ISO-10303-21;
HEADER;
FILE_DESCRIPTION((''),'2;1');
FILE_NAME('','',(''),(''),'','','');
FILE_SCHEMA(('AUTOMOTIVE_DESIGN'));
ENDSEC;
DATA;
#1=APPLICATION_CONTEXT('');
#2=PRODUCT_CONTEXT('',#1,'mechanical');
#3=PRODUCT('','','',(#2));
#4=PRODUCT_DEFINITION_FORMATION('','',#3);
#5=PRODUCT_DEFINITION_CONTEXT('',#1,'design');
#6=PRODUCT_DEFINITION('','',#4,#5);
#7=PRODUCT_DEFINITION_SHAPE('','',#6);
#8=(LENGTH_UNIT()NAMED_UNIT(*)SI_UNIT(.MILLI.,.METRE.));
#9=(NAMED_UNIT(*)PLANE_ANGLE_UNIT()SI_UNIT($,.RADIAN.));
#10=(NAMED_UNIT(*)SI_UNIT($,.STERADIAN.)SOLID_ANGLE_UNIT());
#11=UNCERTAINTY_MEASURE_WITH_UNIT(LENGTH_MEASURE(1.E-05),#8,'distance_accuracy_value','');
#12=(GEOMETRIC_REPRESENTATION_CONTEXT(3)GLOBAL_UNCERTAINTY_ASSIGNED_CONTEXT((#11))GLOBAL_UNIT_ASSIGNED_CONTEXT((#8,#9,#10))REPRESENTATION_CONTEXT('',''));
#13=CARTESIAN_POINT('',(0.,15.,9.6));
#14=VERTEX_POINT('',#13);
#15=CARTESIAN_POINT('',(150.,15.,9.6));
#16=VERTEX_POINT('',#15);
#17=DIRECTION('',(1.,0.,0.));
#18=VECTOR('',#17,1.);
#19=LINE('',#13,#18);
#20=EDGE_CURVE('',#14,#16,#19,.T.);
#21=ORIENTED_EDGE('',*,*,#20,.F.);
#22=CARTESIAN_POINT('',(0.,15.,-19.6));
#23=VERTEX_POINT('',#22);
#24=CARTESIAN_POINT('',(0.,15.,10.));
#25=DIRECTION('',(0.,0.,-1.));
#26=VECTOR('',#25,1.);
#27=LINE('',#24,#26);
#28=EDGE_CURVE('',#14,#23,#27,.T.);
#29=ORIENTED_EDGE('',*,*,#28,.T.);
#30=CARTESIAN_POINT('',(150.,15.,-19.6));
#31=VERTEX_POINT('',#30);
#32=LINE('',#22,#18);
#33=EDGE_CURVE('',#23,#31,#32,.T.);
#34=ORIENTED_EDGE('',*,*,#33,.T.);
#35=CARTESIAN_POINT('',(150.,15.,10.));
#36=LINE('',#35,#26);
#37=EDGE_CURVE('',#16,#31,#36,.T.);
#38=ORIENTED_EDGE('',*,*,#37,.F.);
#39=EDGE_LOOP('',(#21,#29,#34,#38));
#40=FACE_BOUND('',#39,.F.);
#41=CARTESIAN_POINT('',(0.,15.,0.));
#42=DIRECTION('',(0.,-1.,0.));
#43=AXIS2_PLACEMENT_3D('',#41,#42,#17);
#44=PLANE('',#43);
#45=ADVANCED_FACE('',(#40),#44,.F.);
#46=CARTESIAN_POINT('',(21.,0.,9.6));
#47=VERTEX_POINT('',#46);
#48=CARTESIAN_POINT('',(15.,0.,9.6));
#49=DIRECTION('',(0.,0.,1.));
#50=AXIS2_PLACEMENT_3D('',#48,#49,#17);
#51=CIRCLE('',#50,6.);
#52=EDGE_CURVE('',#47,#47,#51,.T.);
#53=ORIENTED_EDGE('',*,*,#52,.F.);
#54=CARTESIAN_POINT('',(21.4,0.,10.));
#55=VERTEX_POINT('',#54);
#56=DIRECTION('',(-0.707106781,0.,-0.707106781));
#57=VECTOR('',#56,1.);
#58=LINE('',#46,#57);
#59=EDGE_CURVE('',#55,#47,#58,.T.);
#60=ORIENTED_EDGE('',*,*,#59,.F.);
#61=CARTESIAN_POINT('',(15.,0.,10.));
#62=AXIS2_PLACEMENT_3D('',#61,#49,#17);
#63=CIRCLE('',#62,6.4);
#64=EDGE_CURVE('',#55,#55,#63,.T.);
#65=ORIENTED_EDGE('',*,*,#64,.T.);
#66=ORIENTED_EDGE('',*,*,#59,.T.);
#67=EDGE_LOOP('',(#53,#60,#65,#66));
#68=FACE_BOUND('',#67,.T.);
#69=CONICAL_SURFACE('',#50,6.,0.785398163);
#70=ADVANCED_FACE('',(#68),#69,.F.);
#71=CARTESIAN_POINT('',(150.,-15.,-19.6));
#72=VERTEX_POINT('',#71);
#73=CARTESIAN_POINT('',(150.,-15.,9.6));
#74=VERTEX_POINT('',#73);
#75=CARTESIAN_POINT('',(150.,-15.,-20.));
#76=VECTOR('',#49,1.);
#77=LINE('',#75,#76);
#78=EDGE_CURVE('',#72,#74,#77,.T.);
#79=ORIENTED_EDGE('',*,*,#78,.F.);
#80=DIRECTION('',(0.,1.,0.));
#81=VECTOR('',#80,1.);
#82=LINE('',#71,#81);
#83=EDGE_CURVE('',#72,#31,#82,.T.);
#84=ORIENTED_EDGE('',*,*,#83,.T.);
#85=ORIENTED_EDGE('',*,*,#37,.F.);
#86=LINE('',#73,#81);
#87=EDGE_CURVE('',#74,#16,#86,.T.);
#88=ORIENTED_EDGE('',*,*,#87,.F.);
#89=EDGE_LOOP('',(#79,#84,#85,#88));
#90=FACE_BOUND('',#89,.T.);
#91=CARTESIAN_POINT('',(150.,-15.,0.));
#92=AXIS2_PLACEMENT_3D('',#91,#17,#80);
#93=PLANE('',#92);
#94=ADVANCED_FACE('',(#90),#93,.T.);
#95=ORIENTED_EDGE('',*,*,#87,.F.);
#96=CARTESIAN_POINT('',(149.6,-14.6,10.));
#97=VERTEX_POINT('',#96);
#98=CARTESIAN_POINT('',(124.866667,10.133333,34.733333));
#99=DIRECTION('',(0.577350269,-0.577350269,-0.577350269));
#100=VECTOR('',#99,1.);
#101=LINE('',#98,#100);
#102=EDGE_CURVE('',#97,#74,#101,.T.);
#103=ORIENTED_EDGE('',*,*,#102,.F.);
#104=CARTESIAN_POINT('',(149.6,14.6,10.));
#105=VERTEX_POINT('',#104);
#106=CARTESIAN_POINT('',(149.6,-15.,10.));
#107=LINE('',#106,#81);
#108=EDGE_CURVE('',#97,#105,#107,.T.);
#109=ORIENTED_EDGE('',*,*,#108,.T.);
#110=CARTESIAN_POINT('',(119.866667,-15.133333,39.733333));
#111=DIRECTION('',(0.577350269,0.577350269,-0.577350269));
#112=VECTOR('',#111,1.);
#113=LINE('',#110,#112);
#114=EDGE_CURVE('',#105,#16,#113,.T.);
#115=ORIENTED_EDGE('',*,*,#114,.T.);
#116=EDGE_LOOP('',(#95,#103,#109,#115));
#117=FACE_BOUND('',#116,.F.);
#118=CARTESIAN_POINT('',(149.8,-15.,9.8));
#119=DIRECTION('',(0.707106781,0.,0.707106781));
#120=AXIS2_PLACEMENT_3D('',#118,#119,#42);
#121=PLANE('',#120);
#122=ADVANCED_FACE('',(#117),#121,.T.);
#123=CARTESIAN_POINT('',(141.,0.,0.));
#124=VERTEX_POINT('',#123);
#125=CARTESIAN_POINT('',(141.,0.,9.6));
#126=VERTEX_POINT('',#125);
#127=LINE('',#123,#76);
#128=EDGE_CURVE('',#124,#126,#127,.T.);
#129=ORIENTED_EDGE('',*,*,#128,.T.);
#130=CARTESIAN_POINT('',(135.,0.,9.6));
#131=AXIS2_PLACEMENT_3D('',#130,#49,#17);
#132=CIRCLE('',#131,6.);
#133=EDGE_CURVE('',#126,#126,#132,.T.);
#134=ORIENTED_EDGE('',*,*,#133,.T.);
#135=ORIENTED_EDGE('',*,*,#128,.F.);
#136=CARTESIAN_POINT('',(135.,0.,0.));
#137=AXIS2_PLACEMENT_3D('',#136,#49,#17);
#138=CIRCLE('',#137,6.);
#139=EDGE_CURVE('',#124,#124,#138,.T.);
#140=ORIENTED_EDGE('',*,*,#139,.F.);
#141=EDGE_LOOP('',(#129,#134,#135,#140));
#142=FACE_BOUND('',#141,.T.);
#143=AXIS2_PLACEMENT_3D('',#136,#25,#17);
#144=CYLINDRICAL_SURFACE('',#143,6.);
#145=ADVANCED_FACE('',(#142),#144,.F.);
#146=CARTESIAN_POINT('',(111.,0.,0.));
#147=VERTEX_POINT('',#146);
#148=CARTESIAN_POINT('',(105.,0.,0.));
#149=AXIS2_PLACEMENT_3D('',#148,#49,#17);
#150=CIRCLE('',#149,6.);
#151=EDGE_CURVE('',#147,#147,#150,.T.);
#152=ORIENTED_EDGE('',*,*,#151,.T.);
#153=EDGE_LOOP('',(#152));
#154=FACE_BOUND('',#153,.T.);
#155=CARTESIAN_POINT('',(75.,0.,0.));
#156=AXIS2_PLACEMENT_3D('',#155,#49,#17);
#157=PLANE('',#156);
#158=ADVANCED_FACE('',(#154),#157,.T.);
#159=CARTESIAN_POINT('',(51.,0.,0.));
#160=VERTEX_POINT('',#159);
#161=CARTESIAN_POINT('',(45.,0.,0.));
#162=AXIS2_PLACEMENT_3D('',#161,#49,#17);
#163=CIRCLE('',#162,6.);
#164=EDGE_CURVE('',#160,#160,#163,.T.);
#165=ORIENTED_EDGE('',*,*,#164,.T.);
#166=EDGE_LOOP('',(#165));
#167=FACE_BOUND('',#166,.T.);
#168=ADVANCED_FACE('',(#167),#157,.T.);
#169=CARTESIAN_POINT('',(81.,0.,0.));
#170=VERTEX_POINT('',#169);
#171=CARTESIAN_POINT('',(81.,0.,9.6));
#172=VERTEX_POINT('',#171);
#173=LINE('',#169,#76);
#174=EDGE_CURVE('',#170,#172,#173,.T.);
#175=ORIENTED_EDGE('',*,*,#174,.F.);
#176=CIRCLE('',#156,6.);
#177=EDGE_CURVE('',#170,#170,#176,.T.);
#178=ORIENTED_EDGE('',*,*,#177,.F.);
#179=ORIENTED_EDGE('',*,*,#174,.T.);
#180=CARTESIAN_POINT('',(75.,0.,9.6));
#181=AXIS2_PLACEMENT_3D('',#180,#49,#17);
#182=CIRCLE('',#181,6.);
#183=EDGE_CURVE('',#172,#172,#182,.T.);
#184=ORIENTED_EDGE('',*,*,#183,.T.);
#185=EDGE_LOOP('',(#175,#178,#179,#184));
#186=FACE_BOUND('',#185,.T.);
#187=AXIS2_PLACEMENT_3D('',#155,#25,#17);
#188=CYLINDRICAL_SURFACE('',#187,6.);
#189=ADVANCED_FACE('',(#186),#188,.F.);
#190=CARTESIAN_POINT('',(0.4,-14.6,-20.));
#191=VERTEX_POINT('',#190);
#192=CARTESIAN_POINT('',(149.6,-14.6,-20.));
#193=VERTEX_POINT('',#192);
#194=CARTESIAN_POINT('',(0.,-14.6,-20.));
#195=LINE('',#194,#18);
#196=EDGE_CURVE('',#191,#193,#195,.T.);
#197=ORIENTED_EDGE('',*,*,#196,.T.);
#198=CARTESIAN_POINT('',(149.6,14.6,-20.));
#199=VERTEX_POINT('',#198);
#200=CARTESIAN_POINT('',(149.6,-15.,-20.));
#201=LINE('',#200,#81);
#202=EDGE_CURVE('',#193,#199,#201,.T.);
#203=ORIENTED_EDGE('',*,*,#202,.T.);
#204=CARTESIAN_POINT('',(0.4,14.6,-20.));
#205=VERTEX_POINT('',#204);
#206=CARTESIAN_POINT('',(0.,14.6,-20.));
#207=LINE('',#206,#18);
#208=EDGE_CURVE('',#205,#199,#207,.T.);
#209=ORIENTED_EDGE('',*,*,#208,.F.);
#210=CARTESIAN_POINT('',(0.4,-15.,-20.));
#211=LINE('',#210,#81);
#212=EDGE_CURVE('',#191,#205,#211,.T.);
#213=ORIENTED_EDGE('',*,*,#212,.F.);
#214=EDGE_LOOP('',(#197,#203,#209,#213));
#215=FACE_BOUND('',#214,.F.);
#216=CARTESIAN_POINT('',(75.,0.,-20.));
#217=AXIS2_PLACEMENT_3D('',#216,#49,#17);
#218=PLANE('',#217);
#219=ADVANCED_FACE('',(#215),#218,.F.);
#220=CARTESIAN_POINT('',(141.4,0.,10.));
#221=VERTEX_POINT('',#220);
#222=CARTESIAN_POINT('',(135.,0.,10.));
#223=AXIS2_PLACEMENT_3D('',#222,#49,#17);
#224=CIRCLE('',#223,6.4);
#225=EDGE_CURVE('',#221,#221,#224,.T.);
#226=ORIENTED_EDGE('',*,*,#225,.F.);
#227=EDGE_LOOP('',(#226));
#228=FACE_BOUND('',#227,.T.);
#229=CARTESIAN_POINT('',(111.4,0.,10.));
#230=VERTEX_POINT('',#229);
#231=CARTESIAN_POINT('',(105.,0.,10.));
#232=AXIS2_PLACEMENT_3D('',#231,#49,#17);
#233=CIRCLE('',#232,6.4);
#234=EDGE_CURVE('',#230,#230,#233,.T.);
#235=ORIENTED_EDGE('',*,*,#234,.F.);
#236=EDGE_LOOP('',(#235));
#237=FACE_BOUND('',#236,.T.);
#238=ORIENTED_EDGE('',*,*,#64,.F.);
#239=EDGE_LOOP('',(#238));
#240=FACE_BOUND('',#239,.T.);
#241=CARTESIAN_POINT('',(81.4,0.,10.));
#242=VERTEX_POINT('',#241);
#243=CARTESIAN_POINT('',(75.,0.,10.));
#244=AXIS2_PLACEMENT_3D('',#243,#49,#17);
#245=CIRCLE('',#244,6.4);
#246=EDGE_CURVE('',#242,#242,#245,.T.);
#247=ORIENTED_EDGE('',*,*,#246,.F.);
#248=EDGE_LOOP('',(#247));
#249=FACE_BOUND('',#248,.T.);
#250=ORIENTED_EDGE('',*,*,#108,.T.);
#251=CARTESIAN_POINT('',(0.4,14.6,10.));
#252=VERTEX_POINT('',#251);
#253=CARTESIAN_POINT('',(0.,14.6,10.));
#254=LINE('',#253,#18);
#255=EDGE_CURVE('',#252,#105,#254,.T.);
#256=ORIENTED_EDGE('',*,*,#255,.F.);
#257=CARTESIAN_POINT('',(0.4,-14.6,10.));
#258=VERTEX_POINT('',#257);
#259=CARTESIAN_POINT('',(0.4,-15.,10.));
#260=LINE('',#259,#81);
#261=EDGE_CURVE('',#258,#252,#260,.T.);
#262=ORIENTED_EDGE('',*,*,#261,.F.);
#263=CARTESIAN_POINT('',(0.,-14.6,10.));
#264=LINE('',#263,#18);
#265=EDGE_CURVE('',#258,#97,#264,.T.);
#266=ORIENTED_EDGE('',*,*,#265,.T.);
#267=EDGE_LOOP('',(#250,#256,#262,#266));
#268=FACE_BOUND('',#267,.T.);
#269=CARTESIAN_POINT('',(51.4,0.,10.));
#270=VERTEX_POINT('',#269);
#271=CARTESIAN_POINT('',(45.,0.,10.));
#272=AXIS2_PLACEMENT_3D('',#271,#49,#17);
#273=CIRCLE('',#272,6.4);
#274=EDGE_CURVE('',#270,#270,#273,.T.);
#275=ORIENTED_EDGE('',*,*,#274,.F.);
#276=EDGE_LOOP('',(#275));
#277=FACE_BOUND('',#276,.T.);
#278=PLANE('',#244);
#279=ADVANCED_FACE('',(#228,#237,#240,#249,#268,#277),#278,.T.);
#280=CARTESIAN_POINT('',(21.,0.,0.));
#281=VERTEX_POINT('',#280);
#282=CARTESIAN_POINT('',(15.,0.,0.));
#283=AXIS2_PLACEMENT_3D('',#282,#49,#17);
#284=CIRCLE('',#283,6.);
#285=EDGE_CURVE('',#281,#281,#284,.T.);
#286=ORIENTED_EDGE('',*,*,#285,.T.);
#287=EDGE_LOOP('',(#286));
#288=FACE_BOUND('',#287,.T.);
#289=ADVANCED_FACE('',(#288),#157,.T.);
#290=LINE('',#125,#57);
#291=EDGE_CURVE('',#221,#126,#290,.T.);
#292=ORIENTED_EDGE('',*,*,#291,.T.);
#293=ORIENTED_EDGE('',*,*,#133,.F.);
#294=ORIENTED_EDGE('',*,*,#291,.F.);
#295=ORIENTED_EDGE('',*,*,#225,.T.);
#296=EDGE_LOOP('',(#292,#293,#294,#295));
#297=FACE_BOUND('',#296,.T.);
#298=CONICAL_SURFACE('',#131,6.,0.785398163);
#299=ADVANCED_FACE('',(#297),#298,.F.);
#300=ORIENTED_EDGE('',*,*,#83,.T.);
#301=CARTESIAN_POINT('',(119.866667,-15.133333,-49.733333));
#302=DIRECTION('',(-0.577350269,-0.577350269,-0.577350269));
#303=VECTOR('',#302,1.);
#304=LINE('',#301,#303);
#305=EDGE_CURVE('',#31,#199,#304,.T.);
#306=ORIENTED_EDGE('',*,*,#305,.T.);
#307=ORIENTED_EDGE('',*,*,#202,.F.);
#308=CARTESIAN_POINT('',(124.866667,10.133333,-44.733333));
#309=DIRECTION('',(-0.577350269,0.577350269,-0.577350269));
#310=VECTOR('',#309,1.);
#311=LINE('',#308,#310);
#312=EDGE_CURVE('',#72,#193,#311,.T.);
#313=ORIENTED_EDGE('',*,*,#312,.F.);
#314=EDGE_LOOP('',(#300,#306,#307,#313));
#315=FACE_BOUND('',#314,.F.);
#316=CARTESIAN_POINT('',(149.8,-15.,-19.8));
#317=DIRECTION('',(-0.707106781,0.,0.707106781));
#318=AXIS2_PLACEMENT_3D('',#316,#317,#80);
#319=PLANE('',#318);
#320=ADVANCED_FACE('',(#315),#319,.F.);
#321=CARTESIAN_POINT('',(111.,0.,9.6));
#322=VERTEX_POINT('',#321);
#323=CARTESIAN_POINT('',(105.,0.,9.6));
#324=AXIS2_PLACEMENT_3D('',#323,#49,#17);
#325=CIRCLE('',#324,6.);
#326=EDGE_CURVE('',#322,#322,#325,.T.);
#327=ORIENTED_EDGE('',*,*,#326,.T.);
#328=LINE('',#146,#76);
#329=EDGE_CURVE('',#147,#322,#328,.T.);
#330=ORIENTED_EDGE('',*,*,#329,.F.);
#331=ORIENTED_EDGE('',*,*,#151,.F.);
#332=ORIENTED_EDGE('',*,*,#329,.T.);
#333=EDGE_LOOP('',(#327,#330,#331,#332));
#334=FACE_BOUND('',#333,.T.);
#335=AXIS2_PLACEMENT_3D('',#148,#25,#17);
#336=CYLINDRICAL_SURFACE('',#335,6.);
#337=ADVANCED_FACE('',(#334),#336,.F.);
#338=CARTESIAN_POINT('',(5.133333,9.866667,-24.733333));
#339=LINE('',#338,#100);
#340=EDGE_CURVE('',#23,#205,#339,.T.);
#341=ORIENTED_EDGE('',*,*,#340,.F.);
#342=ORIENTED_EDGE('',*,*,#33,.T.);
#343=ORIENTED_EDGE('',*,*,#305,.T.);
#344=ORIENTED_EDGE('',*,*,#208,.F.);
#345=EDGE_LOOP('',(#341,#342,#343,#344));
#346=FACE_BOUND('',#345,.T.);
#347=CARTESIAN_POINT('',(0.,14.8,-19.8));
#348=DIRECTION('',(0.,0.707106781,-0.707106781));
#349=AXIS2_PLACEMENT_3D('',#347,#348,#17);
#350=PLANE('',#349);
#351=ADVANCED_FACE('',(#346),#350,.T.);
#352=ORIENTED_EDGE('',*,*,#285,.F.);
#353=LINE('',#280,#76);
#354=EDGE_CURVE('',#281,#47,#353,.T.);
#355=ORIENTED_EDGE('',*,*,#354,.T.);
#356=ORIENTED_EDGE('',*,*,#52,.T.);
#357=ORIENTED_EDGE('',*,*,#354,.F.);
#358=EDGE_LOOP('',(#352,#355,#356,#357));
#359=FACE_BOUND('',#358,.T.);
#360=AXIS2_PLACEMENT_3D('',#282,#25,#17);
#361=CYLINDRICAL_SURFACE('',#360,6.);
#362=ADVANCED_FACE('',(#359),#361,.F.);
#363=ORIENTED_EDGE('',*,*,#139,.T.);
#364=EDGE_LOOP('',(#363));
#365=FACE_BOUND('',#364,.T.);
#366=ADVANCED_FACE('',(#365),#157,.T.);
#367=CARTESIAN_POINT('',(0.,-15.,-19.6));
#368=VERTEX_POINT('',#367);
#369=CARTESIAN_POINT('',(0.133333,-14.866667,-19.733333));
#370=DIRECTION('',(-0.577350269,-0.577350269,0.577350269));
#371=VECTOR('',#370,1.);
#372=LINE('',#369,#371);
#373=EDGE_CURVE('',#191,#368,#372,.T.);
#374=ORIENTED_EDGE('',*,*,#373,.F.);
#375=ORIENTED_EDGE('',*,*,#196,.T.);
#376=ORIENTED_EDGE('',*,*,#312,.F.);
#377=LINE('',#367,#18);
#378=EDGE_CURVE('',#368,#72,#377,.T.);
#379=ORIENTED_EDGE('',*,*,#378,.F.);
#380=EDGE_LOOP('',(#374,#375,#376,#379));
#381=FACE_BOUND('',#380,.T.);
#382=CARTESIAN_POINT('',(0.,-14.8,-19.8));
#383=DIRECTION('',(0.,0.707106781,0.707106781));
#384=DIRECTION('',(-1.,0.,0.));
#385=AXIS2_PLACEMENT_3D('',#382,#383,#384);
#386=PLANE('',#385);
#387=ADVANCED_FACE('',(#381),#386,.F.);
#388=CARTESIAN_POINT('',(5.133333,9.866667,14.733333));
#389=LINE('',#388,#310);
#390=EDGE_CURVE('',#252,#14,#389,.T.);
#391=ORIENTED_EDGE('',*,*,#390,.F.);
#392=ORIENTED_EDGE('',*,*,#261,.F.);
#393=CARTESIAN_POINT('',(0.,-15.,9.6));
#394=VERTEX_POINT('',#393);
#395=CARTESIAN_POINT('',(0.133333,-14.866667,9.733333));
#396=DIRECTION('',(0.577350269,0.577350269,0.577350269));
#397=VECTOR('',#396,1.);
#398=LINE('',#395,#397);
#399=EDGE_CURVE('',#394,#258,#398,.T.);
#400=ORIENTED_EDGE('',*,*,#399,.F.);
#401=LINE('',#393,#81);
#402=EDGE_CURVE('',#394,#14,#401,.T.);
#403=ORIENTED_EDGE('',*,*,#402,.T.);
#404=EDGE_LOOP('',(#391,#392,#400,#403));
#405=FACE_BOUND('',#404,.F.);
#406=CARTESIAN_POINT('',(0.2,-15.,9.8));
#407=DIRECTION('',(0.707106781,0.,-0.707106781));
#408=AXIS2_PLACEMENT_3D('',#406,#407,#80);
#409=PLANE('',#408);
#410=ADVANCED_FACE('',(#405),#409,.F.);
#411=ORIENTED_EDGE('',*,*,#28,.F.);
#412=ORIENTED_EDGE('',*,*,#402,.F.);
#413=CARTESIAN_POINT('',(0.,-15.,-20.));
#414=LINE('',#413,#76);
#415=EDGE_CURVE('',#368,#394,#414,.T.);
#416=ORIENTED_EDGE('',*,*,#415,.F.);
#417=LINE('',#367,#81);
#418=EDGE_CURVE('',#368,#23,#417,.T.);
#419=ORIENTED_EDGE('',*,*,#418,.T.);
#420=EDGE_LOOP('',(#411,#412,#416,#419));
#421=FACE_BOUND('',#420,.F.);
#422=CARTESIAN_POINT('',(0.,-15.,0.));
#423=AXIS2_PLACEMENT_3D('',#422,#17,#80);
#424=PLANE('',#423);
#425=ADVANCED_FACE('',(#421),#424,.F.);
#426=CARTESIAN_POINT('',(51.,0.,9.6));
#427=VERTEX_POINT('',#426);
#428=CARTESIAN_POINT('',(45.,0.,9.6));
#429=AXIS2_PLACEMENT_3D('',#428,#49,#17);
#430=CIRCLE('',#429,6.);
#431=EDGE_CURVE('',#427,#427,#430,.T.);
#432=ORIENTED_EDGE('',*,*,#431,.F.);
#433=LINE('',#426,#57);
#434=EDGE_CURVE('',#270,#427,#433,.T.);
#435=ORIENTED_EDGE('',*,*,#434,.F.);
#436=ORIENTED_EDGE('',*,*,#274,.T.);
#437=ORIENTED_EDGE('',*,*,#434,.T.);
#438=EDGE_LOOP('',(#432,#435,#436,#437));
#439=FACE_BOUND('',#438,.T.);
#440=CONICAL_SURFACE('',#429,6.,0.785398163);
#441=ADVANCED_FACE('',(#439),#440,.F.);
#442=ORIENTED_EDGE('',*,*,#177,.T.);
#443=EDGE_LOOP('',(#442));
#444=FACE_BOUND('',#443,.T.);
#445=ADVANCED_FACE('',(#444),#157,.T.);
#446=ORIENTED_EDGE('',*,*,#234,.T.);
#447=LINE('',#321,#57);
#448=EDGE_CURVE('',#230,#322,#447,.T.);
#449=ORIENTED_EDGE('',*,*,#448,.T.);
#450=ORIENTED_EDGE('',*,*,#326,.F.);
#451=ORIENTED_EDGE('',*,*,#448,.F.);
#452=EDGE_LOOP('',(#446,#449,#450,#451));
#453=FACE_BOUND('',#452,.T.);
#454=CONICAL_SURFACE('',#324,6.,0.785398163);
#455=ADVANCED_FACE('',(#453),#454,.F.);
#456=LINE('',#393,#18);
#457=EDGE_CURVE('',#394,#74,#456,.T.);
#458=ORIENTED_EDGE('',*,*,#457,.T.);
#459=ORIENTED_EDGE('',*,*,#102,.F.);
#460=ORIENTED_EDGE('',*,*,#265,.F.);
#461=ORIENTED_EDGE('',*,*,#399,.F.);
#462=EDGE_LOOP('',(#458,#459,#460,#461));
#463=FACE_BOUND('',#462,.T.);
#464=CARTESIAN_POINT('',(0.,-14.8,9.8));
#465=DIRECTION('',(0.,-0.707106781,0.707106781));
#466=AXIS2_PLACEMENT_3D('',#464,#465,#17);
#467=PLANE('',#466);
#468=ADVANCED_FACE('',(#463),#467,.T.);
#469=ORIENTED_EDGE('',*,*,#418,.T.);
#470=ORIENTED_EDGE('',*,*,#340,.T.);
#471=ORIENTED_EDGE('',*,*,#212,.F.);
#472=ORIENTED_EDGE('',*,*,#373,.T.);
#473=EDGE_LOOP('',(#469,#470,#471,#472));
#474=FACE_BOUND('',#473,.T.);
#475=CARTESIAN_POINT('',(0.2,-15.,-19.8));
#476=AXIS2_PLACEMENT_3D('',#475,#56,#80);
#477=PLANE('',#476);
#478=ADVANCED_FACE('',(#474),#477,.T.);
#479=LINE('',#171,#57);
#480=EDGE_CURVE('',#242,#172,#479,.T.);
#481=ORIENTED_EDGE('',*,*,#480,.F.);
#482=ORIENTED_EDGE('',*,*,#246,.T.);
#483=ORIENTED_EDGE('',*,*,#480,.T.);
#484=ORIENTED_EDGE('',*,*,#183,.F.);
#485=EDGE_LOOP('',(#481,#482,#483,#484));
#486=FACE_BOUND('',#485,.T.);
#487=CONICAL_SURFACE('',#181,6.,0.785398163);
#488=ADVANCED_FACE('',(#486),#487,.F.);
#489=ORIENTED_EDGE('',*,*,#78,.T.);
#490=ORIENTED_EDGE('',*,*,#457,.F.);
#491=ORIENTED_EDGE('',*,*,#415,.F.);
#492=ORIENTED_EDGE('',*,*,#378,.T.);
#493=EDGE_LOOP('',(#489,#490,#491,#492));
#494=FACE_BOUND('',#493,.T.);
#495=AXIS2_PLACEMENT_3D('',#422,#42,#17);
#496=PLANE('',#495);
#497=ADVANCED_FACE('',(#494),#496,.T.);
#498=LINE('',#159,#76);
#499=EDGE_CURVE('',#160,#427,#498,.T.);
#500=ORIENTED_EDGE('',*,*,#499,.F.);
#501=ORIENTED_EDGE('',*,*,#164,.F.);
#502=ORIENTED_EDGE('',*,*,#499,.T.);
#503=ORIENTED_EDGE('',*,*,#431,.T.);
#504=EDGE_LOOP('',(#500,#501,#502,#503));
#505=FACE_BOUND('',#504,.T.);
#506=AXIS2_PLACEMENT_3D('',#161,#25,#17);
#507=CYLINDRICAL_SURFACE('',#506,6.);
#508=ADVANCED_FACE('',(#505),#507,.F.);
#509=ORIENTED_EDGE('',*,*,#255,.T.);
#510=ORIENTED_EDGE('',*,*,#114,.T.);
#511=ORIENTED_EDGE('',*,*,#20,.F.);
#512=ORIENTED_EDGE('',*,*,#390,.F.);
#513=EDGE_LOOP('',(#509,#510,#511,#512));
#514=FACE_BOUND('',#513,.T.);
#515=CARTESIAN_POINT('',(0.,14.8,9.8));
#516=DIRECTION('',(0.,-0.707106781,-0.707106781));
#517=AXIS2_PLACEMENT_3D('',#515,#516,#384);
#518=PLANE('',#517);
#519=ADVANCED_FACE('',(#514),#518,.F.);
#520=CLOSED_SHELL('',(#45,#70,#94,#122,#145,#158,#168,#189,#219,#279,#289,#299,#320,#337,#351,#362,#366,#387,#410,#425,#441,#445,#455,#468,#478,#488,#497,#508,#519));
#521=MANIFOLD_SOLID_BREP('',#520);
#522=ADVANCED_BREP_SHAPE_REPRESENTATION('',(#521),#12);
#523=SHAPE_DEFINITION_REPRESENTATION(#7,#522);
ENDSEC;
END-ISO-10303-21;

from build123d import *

# Parameters (mm, degrees)
EXPORT001_W     = 150
EXPORT001_H     = 30
EXPORT001_R     = 6
PAD_DEPTH       = 10
EXPORT002_W     = 150
EXPORT002_H     = 30
PAD001_DEPTH    = 20
CHAMFER_SIZE    = 0.4
CHAMFER001_SIZE = 0.4


with BuildPart() as part:
    # Export001 → Pad (new body)
    with BuildSketch(Plane.XY):
        with Locations((75, 0)):
            Rectangle(EXPORT001_W, EXPORT001_H)
        with Locations((15, 0)):
            Circle(EXPORT001_R, mode=Mode.SUBTRACT)
        with Locations((45, 0)):
            Circle(EXPORT001_R, mode=Mode.SUBTRACT)
        with Locations((75, 0)):
            Circle(EXPORT001_R, mode=Mode.SUBTRACT)
        with Locations((105, 0)):
            Circle(EXPORT001_R, mode=Mode.SUBTRACT)
        with Locations((135, 0)):
            Circle(EXPORT001_R, mode=Mode.SUBTRACT)
    extrude(amount=PAD_DEPTH)

    # Export002 → Pad001 (join)
    with BuildSketch(Plane.XY):
        with Locations((75, 0)):
            Rectangle(EXPORT002_W, EXPORT002_H)
    extrude(amount=-PAD001_DEPTH)

    # Chamfer
    chamfer_edges = [part.edges().sort_by_distance(p)[0] for p in [
        (75, 15, -20),
        (150, 0, -20),
        (75, -15, -20),
        (0, 0, -20),
    ]]
    chamfer(chamfer_edges, length=CHAMFER_SIZE)

    # Chamfer001
    chamfer001_edges = [part.edges().sort_by_distance(p)[0] for p in [
        (75, 15, 10),
        (150, 0, 10),
        (75, -15, 10),
        (0, 0, 10),
        (129, 0, 10),
        (99, 0, 10),
        (69, 0, 10),
        (39, 0, 10),
        (9, 0, 10),
    ]]
    chamfer(chamfer001_edges, length=CHAMFER001_SIZE)


solid = part.part
